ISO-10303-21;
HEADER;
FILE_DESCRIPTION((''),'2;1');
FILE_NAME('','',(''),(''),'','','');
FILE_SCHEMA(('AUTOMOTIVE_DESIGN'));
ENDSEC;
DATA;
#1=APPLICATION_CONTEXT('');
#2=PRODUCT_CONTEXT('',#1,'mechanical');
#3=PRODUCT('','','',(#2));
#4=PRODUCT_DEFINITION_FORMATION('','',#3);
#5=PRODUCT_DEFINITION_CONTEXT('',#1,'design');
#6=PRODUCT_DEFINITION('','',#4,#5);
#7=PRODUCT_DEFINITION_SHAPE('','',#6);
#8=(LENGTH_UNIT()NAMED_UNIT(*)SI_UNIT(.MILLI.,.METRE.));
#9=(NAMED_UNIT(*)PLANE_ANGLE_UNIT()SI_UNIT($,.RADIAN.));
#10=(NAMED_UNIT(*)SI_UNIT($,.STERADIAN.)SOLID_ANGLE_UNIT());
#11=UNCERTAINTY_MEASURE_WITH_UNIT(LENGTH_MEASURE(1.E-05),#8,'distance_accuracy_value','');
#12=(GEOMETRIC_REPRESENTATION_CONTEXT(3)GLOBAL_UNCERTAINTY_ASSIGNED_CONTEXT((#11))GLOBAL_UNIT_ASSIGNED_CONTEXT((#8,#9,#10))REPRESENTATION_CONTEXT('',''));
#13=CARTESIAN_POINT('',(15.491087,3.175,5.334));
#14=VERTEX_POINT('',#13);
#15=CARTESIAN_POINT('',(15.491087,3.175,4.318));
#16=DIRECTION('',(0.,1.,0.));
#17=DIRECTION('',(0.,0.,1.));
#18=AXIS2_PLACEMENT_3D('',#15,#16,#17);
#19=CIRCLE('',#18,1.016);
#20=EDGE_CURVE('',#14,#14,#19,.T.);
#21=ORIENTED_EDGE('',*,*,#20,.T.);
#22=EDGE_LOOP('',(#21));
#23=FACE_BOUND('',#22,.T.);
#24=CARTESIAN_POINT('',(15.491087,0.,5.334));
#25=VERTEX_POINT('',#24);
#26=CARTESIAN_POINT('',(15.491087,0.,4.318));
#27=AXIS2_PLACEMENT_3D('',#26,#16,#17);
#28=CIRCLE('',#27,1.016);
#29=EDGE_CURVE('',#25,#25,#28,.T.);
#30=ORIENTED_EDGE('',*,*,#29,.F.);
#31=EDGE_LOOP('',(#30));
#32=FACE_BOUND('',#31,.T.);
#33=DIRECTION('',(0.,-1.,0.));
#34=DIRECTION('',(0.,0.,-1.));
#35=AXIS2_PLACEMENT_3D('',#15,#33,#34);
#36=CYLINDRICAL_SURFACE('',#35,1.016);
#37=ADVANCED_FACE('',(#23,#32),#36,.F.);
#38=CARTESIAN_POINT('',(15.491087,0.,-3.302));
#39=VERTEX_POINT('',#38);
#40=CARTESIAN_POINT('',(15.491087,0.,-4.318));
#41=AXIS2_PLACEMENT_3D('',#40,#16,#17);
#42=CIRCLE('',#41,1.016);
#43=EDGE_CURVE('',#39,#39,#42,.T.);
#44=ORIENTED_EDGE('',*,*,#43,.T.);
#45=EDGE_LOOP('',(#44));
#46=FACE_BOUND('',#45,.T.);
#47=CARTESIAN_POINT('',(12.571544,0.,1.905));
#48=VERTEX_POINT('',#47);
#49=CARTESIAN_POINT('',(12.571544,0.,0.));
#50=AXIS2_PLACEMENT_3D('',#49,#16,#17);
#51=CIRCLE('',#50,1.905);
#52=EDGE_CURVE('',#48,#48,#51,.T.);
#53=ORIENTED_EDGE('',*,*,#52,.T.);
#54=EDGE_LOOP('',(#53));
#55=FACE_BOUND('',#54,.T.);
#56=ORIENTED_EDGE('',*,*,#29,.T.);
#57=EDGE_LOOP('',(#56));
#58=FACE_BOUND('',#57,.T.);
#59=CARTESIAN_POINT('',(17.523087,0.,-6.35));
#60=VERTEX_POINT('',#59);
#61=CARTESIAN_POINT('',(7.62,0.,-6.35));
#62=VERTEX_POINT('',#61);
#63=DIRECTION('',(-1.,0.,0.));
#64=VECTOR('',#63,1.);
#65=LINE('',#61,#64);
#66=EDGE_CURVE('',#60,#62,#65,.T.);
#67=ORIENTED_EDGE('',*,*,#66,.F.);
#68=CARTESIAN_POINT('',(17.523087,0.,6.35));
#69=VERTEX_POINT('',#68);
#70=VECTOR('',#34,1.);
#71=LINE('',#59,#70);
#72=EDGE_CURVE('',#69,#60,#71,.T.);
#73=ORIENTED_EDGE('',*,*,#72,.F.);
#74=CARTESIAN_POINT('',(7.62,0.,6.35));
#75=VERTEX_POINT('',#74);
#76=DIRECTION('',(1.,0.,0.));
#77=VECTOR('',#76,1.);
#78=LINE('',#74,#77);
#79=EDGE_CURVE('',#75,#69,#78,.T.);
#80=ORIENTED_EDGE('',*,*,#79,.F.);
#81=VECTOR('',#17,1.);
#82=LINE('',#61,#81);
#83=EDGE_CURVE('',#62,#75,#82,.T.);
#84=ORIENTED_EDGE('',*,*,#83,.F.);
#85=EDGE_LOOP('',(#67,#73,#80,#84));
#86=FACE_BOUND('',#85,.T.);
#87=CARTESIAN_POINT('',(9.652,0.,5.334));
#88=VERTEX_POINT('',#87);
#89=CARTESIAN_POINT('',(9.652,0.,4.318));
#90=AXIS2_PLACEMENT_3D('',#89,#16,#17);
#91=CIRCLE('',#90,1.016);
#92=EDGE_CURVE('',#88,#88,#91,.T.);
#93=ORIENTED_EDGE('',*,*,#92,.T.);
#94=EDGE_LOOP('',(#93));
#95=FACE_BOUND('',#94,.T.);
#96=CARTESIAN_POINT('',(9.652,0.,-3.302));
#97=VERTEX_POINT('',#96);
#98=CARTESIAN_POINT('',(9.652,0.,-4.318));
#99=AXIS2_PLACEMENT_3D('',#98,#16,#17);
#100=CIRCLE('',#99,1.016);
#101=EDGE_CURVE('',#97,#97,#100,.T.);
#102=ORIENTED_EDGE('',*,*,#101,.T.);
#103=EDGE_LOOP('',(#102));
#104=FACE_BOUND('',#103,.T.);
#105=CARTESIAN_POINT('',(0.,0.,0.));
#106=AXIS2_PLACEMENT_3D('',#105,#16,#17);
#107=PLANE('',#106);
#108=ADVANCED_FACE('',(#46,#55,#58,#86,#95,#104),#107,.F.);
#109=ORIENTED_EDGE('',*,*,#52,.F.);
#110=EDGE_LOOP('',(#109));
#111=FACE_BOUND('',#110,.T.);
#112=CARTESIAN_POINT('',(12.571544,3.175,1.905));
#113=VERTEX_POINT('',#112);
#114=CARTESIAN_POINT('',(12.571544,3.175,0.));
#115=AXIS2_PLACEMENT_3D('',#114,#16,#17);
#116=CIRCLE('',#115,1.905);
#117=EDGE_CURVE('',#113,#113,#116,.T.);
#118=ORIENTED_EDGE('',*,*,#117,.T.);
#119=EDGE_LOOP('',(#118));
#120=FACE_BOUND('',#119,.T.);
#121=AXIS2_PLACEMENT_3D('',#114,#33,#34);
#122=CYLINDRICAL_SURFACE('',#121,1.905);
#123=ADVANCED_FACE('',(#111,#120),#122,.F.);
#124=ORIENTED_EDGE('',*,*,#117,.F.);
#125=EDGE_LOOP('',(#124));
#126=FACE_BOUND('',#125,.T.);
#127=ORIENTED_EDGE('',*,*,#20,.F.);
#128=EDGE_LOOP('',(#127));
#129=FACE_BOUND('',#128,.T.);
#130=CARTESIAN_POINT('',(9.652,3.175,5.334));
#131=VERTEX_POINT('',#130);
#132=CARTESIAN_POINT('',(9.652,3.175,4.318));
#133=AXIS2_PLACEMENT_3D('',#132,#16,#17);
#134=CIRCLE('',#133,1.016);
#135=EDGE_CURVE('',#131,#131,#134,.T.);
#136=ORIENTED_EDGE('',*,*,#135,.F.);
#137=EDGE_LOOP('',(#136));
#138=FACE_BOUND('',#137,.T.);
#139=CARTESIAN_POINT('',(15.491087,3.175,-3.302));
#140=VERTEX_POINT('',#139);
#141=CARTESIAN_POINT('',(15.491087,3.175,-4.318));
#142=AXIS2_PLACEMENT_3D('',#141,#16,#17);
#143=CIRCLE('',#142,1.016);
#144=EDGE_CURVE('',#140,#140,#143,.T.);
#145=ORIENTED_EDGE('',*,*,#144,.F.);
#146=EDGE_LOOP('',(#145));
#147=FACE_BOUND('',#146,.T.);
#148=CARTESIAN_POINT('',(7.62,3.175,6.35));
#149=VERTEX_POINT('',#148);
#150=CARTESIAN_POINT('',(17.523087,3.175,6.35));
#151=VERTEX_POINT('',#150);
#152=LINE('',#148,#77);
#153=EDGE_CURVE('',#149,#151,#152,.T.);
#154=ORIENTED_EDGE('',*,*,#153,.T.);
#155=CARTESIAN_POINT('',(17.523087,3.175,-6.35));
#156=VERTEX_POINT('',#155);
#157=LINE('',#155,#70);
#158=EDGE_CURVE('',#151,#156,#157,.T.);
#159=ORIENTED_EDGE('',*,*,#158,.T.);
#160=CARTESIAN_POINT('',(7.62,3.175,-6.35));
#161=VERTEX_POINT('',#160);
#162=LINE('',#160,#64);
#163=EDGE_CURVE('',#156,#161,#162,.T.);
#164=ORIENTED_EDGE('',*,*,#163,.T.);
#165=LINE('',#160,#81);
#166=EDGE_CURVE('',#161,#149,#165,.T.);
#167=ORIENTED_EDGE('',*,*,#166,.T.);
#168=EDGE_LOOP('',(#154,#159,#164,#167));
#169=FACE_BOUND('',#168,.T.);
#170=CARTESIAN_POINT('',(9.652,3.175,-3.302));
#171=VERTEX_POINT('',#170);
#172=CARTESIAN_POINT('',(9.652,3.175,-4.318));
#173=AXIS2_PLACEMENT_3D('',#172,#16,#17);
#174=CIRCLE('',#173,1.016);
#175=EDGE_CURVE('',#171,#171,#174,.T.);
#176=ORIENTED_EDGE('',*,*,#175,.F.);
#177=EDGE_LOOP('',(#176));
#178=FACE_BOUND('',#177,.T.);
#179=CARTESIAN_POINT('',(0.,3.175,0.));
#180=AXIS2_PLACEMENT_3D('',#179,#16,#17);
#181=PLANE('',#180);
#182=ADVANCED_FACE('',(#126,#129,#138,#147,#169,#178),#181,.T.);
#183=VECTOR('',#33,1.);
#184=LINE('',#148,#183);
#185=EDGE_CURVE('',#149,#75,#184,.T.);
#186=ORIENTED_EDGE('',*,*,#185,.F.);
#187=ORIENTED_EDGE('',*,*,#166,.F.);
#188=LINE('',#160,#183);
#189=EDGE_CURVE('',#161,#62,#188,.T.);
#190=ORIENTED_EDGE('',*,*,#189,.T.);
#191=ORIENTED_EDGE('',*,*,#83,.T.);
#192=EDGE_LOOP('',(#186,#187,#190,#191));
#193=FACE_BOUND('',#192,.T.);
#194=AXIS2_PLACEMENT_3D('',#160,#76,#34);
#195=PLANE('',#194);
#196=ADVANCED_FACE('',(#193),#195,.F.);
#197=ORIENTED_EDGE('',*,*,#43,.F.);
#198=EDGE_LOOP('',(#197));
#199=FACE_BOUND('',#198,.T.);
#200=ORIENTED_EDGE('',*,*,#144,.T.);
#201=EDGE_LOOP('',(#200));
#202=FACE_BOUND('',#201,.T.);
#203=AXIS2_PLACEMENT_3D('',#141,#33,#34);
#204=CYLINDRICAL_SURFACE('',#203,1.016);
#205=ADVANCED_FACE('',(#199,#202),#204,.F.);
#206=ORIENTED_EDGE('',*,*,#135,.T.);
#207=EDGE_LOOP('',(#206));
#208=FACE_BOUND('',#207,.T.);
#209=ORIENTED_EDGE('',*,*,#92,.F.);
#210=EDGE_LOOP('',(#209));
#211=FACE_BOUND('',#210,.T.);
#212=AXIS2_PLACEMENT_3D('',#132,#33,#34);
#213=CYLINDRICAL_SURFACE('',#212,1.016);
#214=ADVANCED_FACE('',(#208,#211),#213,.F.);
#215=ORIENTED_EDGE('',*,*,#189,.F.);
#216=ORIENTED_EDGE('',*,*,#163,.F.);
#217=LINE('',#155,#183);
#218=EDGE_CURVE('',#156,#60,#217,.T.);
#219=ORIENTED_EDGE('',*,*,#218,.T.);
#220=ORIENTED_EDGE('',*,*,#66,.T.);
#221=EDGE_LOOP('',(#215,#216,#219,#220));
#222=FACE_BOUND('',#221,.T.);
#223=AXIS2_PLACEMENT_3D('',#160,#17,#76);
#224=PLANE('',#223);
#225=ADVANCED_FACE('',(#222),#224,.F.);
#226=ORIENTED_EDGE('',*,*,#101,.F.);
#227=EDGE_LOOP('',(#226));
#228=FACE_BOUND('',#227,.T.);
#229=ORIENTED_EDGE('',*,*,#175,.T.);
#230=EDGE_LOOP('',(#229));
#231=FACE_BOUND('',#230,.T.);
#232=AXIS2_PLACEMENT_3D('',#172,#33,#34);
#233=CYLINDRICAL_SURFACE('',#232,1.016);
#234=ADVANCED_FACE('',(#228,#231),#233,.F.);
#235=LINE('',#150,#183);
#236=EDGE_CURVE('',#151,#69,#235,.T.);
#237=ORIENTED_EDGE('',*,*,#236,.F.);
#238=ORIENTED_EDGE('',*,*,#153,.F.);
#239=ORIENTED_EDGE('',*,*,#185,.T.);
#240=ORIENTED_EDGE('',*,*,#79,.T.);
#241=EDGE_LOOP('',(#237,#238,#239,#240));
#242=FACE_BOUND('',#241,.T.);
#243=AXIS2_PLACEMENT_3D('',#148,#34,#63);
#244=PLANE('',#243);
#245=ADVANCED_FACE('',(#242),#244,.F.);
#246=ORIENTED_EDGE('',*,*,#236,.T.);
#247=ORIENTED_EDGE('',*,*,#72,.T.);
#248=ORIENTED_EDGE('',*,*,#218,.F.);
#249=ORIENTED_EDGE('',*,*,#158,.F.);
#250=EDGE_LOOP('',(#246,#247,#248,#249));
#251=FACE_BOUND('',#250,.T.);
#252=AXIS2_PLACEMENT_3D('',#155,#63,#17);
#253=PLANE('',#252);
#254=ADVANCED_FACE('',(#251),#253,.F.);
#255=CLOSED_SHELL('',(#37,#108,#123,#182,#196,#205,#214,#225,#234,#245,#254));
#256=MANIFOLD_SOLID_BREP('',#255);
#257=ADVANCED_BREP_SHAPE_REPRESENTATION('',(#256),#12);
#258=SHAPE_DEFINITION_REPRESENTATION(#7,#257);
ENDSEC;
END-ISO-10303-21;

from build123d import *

# Parameters (mm, degrees)
SKETCH1_W           = 9.903087186
SKETCH1_H           = 12.7
SKETCH1_R           = 1.905
SKETCH1_R_2         = 1.016
BOSS_EXTRUDE1_DEPTH = 3.175


with BuildPart() as part:
    # Sketch1 → Boss-Extrude1 (new body)
    with BuildSketch(Plane(origin=(0, 0, 0), x_dir=(1, 0, 0), z_dir=(0, 1, 0))):
        with Locations((12.571543593, 0)):
            Rectangle(SKETCH1_W, SKETCH1_H)
        with Locations(Location((12.571543593, 0, 0), (0, 0, 270))):
            Circle(SKETCH1_R, mode=Mode.SUBTRACT)
        with Locations(Location((15.491087186, 4.318, 0), (0, 0, 270))):
            Circle(SKETCH1_R_2, mode=Mode.SUBTRACT)
        with Locations(Location((9.652, 4.318, 0), (0, 0, 270))):
            Circle(SKETCH1_R_2, mode=Mode.SUBTRACT)
        with Locations(Location((9.652, -4.318, 0), (0, 0, 270))):
            Circle(SKETCH1_R_2, mode=Mode.SUBTRACT)
        with Locations(Location((15.491087186, -4.318, 0), (0, 0, 270))):
            Circle(SKETCH1_R_2, mode=Mode.SUBTRACT)
    extrude(amount=BOSS_EXTRUDE1_DEPTH)


solid = part.part
